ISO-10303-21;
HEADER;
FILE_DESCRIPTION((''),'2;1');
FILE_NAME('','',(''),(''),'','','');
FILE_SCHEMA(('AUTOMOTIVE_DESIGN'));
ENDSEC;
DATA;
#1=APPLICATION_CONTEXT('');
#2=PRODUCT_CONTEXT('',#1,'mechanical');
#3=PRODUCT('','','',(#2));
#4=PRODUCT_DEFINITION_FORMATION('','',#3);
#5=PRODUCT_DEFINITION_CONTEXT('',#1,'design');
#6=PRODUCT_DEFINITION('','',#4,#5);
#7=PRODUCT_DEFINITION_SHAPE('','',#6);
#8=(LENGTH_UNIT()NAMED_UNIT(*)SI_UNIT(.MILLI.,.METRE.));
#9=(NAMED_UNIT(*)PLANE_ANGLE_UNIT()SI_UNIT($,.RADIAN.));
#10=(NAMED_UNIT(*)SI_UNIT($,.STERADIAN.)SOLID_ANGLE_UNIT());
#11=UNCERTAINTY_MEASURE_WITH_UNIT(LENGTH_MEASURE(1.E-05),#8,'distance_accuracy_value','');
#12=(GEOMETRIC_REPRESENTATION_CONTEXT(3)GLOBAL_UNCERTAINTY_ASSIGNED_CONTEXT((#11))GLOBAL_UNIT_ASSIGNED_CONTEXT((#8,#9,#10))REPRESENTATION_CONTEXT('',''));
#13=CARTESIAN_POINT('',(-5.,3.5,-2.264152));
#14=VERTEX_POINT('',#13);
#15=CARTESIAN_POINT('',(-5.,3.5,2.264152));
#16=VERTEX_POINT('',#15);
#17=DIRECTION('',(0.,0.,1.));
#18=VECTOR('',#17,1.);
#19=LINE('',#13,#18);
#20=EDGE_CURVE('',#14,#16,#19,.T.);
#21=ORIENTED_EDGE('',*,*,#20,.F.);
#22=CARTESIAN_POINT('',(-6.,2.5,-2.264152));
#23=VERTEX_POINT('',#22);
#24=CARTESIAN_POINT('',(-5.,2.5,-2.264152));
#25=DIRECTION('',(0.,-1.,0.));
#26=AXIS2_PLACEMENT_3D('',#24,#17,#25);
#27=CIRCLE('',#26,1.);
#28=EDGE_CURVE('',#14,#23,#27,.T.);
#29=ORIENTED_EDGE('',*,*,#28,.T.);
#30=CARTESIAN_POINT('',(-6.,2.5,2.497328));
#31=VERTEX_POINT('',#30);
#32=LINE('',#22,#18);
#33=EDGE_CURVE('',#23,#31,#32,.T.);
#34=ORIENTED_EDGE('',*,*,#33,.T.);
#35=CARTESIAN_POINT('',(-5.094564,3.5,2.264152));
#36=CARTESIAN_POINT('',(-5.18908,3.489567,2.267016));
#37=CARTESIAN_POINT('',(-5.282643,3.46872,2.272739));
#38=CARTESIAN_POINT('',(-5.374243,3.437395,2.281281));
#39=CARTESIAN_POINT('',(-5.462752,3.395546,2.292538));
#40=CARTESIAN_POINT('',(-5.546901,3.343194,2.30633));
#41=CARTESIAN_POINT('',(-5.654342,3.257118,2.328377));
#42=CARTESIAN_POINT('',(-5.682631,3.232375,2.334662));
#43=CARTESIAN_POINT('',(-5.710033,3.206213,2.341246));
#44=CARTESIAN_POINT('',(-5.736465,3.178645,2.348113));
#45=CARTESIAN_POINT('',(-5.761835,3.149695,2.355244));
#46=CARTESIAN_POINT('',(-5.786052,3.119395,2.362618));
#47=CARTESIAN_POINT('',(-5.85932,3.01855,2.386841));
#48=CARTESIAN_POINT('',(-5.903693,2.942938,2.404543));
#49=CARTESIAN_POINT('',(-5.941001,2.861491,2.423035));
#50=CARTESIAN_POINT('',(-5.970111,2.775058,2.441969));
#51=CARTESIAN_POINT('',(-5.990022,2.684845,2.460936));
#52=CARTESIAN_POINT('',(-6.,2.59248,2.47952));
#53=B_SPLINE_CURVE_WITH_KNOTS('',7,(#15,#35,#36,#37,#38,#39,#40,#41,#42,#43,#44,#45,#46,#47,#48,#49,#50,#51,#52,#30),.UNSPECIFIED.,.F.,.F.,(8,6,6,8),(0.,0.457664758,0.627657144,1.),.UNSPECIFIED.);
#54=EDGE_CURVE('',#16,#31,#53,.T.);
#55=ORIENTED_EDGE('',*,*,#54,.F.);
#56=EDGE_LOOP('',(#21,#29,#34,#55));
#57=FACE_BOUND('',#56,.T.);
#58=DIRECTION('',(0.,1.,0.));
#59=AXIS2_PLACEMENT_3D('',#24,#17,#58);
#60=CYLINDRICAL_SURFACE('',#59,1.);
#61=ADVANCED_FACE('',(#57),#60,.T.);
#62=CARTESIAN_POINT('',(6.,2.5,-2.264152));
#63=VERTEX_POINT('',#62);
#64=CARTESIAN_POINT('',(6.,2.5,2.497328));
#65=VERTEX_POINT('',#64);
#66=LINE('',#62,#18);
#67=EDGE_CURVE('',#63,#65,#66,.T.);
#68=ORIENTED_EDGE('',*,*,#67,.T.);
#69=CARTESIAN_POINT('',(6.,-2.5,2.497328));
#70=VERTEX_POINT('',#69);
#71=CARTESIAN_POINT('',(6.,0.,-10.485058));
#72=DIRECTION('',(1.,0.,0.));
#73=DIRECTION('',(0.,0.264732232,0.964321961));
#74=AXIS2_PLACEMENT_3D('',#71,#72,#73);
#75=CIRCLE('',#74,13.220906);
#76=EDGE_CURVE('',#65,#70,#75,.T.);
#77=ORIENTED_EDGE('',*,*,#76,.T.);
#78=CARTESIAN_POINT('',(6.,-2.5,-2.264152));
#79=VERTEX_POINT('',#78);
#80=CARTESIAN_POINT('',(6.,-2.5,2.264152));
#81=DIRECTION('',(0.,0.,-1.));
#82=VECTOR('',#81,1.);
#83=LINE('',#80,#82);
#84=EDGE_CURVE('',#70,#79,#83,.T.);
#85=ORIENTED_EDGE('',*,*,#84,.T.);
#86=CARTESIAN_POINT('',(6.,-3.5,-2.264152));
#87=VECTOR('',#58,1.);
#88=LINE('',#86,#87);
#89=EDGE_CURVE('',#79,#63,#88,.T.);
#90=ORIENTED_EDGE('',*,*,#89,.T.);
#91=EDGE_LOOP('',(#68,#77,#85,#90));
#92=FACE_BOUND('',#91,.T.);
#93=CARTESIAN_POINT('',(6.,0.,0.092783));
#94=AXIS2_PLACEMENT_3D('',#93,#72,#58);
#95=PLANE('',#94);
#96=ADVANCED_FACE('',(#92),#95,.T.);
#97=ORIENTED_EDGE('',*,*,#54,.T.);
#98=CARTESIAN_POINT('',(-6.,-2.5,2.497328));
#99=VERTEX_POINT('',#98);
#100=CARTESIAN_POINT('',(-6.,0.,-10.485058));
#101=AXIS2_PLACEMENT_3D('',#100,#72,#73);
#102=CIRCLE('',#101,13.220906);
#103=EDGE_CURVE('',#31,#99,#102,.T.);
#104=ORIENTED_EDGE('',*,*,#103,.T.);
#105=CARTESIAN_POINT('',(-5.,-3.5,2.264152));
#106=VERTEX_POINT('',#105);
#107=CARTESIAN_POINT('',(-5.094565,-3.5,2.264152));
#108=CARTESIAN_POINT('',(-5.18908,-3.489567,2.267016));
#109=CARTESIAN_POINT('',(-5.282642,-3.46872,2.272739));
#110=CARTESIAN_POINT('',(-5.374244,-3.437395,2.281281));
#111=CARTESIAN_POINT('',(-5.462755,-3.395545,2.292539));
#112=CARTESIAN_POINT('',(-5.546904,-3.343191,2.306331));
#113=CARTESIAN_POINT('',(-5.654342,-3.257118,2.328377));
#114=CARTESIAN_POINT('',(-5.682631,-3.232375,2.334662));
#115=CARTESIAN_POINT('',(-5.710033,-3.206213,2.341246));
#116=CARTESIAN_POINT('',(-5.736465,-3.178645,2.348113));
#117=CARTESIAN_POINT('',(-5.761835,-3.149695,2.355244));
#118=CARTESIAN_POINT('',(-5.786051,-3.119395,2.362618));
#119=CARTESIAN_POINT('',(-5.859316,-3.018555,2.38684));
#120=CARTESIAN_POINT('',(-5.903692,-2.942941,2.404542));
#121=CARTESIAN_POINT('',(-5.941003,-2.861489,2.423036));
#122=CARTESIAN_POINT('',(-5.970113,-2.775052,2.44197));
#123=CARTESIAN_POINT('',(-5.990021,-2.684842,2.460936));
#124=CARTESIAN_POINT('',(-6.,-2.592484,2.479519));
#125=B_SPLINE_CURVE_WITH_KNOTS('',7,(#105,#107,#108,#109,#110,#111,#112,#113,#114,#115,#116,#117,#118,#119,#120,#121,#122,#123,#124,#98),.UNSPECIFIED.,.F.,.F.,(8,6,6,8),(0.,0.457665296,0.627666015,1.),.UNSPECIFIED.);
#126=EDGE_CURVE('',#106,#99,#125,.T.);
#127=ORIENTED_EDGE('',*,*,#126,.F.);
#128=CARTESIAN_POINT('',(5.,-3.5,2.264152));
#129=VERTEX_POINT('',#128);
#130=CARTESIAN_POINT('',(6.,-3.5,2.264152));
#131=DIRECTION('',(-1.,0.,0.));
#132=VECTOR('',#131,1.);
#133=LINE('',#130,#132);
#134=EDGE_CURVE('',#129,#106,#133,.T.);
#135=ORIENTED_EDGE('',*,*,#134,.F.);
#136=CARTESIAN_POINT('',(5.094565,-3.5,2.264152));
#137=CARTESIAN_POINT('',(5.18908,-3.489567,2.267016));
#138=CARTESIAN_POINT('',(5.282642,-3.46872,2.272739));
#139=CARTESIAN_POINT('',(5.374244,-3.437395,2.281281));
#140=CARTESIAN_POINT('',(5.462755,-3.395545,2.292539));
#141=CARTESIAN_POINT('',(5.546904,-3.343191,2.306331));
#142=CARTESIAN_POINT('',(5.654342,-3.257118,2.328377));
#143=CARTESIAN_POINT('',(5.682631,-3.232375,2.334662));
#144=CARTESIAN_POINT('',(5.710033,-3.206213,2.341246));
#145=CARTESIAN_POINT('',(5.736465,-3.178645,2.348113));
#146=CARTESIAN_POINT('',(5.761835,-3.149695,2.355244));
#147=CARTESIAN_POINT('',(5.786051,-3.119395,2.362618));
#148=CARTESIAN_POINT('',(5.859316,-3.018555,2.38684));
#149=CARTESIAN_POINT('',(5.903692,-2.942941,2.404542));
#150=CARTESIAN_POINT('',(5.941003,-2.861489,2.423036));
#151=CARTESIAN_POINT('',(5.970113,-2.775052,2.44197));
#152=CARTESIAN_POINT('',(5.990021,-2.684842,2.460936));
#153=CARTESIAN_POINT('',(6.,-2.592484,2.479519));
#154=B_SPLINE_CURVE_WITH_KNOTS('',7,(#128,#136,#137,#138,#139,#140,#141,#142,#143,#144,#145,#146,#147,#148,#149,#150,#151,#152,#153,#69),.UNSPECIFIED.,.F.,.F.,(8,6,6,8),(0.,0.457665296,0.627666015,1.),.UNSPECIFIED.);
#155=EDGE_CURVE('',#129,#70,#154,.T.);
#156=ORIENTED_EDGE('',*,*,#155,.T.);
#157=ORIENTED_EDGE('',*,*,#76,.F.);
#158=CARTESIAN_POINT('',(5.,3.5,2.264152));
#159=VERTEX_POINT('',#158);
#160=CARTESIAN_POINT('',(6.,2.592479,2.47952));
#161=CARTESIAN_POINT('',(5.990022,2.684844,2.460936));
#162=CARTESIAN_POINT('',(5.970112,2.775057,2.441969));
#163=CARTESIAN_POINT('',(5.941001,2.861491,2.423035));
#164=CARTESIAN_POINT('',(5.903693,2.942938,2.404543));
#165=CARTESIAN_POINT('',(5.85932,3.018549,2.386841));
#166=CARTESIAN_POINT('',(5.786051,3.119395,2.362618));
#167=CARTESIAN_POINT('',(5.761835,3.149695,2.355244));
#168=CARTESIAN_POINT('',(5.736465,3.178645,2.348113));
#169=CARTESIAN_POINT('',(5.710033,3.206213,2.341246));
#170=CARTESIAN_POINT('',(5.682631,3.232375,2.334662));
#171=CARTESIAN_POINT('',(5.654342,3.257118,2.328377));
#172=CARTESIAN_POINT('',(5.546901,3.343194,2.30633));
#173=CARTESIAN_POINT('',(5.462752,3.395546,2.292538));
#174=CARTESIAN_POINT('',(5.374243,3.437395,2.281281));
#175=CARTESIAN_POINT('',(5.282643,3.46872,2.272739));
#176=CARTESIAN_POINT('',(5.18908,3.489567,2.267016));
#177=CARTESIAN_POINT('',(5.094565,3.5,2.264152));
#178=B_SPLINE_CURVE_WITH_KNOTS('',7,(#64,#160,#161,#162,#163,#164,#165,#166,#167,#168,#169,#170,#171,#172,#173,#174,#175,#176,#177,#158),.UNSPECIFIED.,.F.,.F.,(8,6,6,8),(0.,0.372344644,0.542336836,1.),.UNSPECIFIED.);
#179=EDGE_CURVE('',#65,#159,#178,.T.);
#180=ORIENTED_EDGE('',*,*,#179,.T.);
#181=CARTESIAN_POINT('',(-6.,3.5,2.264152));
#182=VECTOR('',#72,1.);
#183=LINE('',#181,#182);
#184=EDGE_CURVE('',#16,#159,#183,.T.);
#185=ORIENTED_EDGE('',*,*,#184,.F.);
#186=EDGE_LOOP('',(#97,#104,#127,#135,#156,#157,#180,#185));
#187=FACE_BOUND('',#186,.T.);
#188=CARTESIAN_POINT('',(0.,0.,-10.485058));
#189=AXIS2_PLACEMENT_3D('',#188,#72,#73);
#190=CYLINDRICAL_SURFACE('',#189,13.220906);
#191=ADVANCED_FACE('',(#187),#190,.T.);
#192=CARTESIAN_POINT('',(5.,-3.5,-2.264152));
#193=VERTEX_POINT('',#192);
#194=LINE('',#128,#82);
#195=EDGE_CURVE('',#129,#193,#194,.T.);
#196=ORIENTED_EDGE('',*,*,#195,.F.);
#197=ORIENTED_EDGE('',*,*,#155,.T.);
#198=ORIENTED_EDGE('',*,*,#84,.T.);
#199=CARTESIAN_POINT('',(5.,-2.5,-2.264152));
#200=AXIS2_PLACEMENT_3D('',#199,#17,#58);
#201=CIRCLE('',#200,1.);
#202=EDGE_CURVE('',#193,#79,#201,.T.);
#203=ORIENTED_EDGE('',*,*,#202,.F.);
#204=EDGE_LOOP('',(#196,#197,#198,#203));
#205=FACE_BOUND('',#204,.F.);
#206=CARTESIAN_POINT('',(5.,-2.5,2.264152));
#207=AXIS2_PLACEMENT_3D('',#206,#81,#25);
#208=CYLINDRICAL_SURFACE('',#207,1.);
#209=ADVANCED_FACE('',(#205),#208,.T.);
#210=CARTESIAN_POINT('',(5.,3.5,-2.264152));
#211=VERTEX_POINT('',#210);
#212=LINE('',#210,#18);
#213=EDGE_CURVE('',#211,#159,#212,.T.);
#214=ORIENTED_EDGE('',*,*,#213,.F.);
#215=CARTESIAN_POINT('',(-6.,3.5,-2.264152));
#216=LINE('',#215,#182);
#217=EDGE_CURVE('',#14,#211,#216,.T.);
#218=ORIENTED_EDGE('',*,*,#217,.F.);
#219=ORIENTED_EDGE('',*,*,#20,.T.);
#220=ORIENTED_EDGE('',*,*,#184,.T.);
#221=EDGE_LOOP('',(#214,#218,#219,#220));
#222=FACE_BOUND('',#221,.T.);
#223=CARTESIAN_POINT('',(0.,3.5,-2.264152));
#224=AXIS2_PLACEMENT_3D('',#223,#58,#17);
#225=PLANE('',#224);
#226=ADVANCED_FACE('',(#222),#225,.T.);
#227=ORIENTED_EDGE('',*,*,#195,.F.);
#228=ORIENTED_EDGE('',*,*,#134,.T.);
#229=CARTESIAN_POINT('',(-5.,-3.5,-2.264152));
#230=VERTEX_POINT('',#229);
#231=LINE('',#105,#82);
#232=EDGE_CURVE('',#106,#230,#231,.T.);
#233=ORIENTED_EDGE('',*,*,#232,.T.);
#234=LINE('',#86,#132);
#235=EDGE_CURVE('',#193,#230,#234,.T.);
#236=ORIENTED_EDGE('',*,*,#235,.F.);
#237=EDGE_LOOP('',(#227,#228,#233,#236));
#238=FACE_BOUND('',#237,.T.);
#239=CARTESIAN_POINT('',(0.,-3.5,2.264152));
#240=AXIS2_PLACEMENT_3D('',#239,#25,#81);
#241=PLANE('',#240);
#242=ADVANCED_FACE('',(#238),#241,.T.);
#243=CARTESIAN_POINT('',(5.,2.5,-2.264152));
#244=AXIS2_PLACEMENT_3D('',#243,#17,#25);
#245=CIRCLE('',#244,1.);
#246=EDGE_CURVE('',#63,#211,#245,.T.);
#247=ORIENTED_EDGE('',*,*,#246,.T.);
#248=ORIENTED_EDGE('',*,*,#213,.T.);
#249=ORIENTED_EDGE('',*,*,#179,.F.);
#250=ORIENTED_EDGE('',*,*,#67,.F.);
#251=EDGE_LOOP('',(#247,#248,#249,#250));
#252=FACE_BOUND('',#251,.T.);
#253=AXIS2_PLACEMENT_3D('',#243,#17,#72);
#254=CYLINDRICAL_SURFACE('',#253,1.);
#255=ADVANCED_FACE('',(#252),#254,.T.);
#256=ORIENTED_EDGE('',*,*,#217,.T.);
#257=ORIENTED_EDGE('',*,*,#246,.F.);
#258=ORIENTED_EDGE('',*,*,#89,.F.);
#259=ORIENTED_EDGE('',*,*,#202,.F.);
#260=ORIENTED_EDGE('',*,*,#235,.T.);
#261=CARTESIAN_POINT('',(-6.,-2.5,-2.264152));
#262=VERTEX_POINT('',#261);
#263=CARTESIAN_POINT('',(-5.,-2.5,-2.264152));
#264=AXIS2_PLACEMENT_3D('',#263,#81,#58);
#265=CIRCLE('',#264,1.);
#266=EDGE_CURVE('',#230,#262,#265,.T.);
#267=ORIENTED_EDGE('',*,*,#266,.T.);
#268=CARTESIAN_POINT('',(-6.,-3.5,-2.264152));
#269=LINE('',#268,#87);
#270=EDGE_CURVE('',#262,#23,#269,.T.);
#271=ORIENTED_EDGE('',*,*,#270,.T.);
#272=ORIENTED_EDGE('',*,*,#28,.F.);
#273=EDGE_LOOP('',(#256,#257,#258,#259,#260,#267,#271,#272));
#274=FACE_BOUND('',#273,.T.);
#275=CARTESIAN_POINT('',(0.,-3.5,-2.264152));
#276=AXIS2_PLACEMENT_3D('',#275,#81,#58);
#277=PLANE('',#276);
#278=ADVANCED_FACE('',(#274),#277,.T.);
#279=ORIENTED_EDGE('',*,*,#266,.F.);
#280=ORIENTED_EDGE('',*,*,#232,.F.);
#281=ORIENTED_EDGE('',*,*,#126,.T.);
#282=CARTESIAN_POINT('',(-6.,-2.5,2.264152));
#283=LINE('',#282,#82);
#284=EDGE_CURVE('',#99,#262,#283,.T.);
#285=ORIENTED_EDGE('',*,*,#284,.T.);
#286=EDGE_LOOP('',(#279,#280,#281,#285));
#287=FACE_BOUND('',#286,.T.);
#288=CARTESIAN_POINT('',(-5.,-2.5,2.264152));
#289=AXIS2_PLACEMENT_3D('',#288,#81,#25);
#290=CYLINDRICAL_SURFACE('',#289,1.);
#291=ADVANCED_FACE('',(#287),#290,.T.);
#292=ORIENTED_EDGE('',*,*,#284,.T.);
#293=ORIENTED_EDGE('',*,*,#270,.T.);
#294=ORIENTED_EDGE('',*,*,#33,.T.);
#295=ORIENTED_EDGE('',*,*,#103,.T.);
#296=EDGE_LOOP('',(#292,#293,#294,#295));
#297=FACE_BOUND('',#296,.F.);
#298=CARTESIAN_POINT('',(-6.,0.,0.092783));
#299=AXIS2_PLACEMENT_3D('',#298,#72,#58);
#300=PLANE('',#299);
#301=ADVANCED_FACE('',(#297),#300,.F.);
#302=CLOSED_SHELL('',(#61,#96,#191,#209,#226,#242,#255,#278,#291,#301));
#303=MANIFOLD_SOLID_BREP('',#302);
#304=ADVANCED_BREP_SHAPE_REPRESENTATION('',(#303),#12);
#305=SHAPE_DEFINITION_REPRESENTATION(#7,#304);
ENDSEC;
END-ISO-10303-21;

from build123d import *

# Parameters (mm, degrees)
F1_DEPTH = 6
F2_R     = 1


with BuildPart() as f1:
    # F0 (on Right) → F1 (new body, symmetric)
    with BuildSketch(Plane.YZ):
        with BuildLine():
            Line((-3.5, -2.264152), (3.5, -2.264152))
            Line((3.5, -2.264152), (3.5, 2.264152))
            ThreePointArc((3.5, 2.264152), (0, 2.735848), (-3.5, 2.264152))
            Line((-3.5, 2.264152), (-3.5, -2.264152))
        make_face()
    extrude(amount=F1_DEPTH, both=True)

    # F2
    f2_edges = [f1.edges().sort_by_distance(p)[0] for p in [
        (6, -3.5, 0),
        (6, 3.5, 0),
        (-6, 3.5, 0),
        (-6, -3.5, 0),
    ]]
    fillet(f2_edges, radius=F2_R)


solid = f1.part
